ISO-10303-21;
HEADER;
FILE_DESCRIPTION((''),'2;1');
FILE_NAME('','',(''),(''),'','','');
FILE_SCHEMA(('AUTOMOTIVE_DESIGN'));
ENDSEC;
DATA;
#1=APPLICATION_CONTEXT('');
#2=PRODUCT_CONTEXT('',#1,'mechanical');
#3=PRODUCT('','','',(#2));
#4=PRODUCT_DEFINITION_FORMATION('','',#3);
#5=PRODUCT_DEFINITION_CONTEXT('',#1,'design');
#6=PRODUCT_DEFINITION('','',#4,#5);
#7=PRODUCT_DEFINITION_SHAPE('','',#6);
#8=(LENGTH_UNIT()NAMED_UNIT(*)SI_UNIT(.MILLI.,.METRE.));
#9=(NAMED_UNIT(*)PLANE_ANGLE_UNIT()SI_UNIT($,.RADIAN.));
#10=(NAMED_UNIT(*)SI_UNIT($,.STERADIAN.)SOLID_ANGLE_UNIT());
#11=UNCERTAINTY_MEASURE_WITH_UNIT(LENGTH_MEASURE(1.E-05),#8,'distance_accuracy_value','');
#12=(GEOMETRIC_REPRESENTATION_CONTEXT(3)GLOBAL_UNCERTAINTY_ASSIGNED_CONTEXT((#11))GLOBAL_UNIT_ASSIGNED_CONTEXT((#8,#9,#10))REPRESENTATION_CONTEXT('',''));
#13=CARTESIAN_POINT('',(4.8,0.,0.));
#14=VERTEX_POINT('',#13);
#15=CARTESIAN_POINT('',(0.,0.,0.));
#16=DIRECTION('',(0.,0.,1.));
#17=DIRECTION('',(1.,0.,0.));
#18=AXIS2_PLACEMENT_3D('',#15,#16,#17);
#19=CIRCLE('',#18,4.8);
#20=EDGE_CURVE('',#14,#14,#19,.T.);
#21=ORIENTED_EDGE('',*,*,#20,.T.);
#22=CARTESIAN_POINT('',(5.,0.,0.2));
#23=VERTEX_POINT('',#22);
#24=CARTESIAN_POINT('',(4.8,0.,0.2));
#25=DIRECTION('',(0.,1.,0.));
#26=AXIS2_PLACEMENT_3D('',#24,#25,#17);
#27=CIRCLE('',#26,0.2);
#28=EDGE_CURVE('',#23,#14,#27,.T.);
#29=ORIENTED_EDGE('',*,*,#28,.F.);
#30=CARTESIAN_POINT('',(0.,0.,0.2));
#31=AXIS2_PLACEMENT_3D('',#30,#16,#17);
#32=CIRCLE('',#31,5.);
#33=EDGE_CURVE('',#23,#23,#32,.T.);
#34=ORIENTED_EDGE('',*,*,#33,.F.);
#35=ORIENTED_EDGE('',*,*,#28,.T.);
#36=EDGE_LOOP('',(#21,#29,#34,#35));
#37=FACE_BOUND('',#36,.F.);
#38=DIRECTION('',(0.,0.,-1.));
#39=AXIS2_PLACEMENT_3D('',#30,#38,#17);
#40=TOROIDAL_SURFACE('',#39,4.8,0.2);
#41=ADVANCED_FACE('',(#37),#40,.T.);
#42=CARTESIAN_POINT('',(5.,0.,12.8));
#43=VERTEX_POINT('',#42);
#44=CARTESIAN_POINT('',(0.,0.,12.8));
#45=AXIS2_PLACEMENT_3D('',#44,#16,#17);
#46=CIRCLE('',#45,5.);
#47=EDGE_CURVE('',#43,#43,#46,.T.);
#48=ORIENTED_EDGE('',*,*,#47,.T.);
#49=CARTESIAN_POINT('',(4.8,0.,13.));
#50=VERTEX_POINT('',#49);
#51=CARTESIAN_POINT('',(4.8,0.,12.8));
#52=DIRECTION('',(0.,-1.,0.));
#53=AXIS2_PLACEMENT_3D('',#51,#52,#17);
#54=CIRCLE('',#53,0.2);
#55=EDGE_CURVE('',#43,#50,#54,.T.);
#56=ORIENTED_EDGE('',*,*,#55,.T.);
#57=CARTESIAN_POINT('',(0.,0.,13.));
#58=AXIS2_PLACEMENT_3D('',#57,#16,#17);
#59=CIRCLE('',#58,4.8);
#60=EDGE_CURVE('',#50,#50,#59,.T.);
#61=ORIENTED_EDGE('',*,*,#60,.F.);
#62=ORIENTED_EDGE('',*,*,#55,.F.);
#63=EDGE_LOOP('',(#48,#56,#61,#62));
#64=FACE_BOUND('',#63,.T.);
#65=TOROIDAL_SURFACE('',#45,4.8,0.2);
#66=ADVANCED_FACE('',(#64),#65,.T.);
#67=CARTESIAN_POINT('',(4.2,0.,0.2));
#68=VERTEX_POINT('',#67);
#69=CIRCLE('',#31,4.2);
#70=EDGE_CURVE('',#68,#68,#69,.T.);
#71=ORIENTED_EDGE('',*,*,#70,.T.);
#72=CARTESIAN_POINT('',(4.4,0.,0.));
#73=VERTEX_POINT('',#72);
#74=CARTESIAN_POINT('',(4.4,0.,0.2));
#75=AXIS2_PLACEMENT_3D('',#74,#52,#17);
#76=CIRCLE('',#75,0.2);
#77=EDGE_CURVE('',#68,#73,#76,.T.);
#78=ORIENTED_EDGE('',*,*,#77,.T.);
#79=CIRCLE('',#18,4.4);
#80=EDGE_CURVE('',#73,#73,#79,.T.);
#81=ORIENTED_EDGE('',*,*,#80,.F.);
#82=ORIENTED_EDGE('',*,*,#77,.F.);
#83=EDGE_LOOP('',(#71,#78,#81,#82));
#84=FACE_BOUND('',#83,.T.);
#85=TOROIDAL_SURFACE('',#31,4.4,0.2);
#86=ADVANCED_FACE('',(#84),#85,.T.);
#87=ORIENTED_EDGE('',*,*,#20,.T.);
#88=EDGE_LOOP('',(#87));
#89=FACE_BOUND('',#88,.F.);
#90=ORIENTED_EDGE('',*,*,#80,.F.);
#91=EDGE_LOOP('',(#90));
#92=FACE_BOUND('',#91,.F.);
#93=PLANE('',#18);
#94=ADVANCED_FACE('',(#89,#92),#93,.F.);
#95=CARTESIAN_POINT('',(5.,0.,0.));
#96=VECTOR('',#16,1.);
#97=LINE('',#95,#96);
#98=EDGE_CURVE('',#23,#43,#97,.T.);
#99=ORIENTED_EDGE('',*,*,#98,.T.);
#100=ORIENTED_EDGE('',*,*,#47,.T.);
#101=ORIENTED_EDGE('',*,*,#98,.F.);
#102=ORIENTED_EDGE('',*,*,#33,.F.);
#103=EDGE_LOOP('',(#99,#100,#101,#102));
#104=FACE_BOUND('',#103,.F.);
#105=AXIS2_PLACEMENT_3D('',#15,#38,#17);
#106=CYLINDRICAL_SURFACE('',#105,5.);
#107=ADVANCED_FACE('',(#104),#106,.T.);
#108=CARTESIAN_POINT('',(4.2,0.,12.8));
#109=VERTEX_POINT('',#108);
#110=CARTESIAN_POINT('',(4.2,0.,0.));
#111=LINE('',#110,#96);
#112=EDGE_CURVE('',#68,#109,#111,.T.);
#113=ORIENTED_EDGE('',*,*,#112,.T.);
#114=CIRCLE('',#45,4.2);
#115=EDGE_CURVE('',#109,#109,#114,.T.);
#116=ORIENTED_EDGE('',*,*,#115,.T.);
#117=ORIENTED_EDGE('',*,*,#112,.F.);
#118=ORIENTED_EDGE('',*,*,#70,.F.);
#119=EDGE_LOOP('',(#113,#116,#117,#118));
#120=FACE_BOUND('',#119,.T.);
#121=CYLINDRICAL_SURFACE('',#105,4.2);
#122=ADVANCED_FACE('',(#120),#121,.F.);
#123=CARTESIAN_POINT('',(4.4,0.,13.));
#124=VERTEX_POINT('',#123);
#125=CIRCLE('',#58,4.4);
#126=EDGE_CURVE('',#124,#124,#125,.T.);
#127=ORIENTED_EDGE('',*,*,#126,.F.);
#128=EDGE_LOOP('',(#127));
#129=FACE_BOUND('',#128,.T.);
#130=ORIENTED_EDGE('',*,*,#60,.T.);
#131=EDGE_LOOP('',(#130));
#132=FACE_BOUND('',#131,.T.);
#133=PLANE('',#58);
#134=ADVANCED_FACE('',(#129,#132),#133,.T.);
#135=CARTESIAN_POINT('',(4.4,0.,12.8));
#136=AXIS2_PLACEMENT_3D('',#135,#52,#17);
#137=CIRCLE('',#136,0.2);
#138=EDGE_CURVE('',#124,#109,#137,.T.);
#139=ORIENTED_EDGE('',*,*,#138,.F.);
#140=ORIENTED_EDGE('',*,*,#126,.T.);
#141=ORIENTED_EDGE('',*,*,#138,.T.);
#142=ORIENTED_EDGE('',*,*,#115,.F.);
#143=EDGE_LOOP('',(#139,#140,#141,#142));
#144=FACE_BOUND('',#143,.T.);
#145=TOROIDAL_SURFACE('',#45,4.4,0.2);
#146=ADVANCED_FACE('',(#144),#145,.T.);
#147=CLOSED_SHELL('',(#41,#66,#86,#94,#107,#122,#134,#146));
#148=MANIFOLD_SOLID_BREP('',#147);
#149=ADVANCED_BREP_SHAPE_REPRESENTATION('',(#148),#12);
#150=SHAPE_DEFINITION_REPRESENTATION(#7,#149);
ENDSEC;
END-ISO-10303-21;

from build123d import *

# Parameters (mm, degrees)
SKETCH_R    = 5
SKETCH_R_2  = 4.2
PAD_DEPTH   = 13
FILLET_R    = 0.2
FILLET001_R = 0.2


with BuildPart() as part:
    # Sketch → Pad (new body)
    with BuildSketch(Plane.XY):
        Circle(SKETCH_R)
        Circle(SKETCH_R_2, mode=Mode.SUBTRACT)
    extrude(amount=PAD_DEPTH)

    # Fillet
    fillet_edges = [part.edges().sort_by_distance(p)[0] for p in [
        (-5, 0, 0),
        (-4.2, 0, 0),
    ]]
    fillet(fillet_edges, radius=FILLET_R)

    # Fillet001
    fillet001_edges = [part.edges().sort_by_distance(p)[0] for p in [
        (-5, 0, 13),
        (-4.2, 0, 13),
    ]]
    fillet(fillet001_edges, radius=FILLET001_R)


solid = part.part
